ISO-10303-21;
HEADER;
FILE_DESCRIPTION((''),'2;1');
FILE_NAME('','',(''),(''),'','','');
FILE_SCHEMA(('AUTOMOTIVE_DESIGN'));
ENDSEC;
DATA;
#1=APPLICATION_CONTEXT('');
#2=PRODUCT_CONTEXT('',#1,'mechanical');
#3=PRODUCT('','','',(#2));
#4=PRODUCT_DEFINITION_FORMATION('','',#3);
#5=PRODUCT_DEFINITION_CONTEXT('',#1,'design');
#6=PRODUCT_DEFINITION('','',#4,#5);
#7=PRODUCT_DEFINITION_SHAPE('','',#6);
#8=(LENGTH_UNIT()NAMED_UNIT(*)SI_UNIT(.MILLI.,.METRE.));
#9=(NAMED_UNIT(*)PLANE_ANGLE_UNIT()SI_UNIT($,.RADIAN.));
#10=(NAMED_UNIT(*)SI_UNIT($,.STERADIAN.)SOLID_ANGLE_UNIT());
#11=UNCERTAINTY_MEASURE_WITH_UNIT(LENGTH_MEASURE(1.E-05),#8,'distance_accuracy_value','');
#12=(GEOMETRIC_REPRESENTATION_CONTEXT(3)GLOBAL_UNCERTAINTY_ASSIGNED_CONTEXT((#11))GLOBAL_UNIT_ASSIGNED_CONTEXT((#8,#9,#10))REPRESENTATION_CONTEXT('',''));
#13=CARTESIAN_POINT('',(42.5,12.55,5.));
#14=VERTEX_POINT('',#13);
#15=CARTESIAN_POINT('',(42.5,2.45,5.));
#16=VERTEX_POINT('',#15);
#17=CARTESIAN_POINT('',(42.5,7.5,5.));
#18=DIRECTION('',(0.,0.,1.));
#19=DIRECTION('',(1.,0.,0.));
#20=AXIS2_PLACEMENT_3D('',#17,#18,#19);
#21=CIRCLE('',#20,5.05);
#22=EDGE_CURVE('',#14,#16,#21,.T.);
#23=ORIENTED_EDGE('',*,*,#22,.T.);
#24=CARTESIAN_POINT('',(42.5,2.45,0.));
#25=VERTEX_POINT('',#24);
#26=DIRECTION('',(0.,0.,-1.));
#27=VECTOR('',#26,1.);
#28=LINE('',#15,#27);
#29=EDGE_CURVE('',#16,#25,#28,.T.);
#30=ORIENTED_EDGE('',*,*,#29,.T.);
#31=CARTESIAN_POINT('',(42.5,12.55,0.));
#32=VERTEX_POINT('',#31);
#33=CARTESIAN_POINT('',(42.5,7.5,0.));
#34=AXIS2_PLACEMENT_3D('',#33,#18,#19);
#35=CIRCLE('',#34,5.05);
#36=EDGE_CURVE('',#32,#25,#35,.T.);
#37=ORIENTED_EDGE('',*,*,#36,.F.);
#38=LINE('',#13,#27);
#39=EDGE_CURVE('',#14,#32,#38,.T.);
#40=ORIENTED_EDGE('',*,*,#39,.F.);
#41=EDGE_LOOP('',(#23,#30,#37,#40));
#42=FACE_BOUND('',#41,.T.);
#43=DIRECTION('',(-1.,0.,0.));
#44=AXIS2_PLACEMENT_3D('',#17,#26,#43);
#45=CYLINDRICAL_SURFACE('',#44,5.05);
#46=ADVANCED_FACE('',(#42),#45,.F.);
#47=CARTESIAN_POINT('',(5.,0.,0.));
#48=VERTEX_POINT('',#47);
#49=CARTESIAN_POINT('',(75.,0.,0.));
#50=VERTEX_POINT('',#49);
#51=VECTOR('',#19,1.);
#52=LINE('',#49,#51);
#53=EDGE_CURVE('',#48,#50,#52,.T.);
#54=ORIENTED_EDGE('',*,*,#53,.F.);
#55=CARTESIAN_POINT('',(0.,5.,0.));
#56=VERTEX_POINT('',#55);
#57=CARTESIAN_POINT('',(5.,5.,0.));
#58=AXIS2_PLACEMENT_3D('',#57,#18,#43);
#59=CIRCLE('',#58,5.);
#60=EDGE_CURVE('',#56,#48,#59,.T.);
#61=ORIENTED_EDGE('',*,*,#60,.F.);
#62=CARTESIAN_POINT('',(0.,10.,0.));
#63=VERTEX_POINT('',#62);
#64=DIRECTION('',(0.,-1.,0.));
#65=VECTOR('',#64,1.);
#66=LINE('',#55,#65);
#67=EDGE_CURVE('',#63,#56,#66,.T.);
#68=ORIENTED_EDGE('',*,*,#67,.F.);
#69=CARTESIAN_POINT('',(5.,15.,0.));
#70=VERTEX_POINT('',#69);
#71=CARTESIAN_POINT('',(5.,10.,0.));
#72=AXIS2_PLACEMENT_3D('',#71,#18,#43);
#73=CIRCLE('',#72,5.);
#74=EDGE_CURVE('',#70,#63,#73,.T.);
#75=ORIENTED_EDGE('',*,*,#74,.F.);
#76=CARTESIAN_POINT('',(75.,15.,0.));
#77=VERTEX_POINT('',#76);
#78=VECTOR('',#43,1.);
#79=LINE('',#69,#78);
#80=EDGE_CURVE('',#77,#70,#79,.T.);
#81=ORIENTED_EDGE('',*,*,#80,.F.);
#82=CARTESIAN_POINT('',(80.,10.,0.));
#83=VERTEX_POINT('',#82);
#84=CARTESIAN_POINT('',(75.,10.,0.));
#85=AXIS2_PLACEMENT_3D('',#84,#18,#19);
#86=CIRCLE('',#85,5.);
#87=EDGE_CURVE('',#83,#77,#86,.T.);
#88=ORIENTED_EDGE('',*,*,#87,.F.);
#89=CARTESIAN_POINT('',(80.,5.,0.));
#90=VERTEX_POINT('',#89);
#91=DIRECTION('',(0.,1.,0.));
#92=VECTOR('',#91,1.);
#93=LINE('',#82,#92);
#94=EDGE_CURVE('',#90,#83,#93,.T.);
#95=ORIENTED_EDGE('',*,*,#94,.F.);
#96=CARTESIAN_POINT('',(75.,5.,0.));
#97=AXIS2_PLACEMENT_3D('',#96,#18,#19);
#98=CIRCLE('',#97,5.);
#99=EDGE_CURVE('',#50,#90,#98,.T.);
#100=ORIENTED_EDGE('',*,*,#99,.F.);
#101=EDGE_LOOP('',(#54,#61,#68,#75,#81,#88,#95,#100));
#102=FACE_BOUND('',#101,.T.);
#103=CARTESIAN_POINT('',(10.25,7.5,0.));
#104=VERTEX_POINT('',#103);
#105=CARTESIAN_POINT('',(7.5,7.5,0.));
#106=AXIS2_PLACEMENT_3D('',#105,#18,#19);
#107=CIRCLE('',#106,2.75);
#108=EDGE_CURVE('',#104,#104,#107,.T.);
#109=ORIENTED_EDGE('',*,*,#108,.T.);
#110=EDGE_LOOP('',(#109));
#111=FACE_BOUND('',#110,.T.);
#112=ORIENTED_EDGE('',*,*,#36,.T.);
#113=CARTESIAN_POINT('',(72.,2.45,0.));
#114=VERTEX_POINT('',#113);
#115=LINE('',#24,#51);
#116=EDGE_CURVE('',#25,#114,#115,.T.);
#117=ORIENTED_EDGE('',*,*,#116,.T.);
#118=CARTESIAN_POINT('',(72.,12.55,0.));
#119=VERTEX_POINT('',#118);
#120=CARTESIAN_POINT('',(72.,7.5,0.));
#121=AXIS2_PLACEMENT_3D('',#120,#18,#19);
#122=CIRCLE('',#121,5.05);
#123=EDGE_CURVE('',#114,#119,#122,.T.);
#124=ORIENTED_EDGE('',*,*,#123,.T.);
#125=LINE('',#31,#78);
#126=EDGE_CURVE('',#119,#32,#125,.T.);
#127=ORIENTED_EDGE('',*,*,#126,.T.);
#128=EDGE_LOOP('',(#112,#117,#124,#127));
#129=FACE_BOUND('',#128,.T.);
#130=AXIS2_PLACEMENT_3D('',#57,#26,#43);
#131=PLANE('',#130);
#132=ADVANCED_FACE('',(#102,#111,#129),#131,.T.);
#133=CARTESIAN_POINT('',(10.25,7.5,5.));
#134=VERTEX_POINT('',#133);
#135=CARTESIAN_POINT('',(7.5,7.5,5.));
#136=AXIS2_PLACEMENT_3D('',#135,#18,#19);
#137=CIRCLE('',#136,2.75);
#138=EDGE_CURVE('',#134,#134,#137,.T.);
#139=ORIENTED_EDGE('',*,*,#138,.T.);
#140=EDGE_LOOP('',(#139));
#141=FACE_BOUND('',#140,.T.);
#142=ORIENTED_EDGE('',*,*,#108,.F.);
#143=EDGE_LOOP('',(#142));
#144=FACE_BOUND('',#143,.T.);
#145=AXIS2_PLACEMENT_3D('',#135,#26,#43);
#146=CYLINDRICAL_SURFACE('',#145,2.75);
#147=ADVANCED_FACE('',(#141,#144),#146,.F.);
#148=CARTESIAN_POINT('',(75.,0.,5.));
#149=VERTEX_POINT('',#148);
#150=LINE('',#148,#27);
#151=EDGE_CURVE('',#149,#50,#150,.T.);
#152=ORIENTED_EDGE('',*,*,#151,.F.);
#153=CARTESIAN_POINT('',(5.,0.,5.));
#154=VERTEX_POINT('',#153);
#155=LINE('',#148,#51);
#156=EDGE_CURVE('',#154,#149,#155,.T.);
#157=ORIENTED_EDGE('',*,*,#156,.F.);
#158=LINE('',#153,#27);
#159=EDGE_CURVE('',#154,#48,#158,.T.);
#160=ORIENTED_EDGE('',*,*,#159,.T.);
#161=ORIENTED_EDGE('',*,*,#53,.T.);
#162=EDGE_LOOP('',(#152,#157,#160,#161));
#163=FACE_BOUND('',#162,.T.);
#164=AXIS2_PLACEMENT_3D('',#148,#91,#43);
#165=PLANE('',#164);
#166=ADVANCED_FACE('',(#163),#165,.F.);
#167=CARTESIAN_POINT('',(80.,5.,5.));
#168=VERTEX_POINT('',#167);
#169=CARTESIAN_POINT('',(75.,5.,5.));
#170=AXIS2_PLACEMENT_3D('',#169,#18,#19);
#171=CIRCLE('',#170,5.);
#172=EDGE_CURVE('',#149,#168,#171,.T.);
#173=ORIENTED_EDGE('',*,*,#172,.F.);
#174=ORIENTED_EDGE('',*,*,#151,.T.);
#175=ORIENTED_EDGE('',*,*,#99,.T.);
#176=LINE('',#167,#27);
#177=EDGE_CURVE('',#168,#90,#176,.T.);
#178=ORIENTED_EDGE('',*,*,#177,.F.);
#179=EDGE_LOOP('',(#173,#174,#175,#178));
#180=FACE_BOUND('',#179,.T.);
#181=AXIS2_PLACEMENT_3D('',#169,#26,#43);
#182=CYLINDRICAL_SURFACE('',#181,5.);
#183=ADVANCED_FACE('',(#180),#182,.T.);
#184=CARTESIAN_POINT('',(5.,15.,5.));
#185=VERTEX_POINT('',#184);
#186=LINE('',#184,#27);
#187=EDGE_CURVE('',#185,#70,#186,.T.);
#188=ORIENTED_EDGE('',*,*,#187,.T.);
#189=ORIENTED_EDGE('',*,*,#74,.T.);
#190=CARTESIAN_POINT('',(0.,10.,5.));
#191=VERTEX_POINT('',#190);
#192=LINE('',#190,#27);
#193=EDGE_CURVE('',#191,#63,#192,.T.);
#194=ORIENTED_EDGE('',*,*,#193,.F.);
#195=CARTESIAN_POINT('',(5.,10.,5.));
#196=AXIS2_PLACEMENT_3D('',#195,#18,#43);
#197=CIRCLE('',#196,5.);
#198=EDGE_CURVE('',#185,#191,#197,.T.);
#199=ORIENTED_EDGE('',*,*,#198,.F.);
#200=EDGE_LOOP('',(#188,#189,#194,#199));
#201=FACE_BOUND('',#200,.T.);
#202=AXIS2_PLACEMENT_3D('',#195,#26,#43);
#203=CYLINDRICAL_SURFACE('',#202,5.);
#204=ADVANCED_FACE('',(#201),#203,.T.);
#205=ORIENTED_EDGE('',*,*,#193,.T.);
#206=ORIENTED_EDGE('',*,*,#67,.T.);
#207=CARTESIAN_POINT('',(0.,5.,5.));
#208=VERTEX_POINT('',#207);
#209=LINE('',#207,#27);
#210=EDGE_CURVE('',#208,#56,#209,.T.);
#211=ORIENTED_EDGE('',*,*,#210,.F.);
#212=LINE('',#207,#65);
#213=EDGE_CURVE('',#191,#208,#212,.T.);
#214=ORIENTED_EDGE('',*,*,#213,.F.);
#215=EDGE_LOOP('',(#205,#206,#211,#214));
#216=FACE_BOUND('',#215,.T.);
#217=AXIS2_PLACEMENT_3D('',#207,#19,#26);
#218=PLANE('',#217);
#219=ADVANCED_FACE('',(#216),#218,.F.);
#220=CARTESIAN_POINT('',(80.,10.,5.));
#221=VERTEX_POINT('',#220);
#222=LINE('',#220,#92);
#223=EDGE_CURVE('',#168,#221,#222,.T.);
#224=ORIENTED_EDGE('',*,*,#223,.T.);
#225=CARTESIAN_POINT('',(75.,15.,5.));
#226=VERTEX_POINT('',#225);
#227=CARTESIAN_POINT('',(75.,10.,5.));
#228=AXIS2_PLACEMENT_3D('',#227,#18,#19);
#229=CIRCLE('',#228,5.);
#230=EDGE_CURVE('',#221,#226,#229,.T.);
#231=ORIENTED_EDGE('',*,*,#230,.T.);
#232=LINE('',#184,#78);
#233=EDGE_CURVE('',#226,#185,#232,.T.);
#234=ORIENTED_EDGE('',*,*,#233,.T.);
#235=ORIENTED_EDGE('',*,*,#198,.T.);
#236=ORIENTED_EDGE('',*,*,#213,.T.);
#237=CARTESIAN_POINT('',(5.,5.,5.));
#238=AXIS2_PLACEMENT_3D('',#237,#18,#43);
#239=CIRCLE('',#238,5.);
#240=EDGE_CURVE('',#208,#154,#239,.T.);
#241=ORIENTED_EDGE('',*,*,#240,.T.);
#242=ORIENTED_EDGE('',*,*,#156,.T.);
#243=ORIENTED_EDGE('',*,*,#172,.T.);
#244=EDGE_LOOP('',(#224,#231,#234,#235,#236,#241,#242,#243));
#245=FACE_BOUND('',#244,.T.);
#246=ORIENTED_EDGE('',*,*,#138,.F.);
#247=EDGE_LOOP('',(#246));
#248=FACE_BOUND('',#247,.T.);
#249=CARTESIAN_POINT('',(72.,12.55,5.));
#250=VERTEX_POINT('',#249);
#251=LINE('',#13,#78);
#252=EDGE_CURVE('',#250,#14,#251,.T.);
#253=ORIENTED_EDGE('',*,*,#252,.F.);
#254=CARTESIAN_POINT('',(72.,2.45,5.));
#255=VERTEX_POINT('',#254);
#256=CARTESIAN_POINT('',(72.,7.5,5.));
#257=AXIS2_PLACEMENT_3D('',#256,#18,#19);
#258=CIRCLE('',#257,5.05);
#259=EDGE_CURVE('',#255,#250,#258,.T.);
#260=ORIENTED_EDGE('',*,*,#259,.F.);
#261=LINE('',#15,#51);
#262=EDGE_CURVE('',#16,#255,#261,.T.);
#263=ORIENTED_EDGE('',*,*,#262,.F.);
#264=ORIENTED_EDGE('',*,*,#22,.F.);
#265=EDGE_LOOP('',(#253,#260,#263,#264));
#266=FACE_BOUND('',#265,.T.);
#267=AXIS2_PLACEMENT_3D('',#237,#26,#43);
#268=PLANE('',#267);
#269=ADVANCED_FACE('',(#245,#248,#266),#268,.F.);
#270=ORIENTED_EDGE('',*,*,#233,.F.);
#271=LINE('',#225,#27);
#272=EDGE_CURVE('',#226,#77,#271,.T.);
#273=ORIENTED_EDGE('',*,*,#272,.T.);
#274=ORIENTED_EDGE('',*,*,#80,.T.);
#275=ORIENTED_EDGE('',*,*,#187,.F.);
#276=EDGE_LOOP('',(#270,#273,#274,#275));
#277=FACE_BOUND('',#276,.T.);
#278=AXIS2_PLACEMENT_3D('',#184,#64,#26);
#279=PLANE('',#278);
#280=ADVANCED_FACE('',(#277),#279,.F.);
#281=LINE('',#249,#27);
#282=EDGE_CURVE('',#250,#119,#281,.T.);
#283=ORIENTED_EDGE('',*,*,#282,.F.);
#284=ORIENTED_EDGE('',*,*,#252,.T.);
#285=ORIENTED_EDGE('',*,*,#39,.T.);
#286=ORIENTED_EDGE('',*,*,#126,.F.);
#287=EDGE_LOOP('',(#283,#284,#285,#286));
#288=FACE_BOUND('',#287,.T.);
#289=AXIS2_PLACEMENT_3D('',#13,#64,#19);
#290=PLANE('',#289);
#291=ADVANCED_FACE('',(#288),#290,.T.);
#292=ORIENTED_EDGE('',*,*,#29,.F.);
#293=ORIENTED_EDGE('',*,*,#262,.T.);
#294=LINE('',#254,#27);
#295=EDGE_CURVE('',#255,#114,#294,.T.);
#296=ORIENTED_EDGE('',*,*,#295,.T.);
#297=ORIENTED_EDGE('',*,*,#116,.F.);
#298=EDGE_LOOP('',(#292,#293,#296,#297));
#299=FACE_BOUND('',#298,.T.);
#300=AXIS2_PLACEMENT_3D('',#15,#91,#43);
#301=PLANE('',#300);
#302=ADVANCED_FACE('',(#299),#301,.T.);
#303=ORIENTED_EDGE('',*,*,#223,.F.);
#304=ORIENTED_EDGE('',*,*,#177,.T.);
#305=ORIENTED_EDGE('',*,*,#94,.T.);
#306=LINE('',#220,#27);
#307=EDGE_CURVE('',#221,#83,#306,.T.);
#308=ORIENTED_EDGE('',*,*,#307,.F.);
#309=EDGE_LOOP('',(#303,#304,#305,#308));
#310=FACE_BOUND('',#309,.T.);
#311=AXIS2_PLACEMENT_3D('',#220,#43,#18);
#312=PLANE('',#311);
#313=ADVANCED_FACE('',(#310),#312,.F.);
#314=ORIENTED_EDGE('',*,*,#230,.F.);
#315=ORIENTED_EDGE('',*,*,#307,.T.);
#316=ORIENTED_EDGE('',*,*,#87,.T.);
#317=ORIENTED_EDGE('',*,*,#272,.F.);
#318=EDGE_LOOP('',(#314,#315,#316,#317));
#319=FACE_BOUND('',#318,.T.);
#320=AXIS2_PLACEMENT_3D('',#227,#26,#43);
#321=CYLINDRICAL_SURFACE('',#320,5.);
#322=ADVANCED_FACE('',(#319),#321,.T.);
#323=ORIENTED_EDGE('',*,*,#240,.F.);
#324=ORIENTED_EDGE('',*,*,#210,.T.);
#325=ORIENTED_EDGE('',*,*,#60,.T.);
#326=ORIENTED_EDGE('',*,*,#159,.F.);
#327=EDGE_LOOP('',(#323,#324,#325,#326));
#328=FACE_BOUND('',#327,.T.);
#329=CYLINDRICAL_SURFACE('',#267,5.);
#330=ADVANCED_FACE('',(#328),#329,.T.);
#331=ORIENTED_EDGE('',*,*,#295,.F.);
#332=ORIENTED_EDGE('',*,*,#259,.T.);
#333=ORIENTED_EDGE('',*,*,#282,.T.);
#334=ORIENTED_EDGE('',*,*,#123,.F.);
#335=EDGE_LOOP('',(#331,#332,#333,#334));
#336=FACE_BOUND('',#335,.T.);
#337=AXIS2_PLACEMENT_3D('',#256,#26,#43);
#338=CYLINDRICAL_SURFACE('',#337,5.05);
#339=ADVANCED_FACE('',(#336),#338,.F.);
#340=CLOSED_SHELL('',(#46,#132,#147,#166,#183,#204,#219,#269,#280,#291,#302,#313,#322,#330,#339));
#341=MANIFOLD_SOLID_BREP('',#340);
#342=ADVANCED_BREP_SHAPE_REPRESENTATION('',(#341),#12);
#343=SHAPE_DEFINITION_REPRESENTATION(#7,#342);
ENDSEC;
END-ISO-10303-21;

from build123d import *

# Parameters (mm, degrees)
SKETCH1_R           = 2.75
BOSS_EXTRUDE1_DEPTH = 5


with BuildPart() as part:
    # Sketch1 → Boss-Extrude1 (new body)
    with BuildSketch(Plane.XY):
        with BuildLine():
            Line((0, 5), (0, 10))
            ThreePointArc((0, 10), (1.464466094, 13.535533906), (5, 15))
            Line((5, 15), (75, 15))
            ThreePointArc((75, 15), (78.535533906, 13.535533906), (80, 10))
            Line((80, 10), (80, 5))
            ThreePointArc((80, 5), (78.535533906, 1.464466094), (75, 0))
            Line((75, 0), (5, 0))
            ThreePointArc((5, 0), (1.464466094, 1.464466094), (0, 5))
        make_face()
        with Locations((7.5, 7.5)):
            Circle(SKETCH1_R, mode=Mode.SUBTRACT)
        with BuildLine():
            Line((42.5, 12.55), (72, 12.55))
            ThreePointArc((72, 12.55), (77.05, 7.5), (72, 2.45))
            Line((72, 2.45), (42.5, 2.45))
            ThreePointArc((42.5, 2.45), (37.45, 7.5), (42.5, 12.55))
        make_face(mode=Mode.SUBTRACT)
    extrude(amount=BOSS_EXTRUDE1_DEPTH)


solid = part.part
